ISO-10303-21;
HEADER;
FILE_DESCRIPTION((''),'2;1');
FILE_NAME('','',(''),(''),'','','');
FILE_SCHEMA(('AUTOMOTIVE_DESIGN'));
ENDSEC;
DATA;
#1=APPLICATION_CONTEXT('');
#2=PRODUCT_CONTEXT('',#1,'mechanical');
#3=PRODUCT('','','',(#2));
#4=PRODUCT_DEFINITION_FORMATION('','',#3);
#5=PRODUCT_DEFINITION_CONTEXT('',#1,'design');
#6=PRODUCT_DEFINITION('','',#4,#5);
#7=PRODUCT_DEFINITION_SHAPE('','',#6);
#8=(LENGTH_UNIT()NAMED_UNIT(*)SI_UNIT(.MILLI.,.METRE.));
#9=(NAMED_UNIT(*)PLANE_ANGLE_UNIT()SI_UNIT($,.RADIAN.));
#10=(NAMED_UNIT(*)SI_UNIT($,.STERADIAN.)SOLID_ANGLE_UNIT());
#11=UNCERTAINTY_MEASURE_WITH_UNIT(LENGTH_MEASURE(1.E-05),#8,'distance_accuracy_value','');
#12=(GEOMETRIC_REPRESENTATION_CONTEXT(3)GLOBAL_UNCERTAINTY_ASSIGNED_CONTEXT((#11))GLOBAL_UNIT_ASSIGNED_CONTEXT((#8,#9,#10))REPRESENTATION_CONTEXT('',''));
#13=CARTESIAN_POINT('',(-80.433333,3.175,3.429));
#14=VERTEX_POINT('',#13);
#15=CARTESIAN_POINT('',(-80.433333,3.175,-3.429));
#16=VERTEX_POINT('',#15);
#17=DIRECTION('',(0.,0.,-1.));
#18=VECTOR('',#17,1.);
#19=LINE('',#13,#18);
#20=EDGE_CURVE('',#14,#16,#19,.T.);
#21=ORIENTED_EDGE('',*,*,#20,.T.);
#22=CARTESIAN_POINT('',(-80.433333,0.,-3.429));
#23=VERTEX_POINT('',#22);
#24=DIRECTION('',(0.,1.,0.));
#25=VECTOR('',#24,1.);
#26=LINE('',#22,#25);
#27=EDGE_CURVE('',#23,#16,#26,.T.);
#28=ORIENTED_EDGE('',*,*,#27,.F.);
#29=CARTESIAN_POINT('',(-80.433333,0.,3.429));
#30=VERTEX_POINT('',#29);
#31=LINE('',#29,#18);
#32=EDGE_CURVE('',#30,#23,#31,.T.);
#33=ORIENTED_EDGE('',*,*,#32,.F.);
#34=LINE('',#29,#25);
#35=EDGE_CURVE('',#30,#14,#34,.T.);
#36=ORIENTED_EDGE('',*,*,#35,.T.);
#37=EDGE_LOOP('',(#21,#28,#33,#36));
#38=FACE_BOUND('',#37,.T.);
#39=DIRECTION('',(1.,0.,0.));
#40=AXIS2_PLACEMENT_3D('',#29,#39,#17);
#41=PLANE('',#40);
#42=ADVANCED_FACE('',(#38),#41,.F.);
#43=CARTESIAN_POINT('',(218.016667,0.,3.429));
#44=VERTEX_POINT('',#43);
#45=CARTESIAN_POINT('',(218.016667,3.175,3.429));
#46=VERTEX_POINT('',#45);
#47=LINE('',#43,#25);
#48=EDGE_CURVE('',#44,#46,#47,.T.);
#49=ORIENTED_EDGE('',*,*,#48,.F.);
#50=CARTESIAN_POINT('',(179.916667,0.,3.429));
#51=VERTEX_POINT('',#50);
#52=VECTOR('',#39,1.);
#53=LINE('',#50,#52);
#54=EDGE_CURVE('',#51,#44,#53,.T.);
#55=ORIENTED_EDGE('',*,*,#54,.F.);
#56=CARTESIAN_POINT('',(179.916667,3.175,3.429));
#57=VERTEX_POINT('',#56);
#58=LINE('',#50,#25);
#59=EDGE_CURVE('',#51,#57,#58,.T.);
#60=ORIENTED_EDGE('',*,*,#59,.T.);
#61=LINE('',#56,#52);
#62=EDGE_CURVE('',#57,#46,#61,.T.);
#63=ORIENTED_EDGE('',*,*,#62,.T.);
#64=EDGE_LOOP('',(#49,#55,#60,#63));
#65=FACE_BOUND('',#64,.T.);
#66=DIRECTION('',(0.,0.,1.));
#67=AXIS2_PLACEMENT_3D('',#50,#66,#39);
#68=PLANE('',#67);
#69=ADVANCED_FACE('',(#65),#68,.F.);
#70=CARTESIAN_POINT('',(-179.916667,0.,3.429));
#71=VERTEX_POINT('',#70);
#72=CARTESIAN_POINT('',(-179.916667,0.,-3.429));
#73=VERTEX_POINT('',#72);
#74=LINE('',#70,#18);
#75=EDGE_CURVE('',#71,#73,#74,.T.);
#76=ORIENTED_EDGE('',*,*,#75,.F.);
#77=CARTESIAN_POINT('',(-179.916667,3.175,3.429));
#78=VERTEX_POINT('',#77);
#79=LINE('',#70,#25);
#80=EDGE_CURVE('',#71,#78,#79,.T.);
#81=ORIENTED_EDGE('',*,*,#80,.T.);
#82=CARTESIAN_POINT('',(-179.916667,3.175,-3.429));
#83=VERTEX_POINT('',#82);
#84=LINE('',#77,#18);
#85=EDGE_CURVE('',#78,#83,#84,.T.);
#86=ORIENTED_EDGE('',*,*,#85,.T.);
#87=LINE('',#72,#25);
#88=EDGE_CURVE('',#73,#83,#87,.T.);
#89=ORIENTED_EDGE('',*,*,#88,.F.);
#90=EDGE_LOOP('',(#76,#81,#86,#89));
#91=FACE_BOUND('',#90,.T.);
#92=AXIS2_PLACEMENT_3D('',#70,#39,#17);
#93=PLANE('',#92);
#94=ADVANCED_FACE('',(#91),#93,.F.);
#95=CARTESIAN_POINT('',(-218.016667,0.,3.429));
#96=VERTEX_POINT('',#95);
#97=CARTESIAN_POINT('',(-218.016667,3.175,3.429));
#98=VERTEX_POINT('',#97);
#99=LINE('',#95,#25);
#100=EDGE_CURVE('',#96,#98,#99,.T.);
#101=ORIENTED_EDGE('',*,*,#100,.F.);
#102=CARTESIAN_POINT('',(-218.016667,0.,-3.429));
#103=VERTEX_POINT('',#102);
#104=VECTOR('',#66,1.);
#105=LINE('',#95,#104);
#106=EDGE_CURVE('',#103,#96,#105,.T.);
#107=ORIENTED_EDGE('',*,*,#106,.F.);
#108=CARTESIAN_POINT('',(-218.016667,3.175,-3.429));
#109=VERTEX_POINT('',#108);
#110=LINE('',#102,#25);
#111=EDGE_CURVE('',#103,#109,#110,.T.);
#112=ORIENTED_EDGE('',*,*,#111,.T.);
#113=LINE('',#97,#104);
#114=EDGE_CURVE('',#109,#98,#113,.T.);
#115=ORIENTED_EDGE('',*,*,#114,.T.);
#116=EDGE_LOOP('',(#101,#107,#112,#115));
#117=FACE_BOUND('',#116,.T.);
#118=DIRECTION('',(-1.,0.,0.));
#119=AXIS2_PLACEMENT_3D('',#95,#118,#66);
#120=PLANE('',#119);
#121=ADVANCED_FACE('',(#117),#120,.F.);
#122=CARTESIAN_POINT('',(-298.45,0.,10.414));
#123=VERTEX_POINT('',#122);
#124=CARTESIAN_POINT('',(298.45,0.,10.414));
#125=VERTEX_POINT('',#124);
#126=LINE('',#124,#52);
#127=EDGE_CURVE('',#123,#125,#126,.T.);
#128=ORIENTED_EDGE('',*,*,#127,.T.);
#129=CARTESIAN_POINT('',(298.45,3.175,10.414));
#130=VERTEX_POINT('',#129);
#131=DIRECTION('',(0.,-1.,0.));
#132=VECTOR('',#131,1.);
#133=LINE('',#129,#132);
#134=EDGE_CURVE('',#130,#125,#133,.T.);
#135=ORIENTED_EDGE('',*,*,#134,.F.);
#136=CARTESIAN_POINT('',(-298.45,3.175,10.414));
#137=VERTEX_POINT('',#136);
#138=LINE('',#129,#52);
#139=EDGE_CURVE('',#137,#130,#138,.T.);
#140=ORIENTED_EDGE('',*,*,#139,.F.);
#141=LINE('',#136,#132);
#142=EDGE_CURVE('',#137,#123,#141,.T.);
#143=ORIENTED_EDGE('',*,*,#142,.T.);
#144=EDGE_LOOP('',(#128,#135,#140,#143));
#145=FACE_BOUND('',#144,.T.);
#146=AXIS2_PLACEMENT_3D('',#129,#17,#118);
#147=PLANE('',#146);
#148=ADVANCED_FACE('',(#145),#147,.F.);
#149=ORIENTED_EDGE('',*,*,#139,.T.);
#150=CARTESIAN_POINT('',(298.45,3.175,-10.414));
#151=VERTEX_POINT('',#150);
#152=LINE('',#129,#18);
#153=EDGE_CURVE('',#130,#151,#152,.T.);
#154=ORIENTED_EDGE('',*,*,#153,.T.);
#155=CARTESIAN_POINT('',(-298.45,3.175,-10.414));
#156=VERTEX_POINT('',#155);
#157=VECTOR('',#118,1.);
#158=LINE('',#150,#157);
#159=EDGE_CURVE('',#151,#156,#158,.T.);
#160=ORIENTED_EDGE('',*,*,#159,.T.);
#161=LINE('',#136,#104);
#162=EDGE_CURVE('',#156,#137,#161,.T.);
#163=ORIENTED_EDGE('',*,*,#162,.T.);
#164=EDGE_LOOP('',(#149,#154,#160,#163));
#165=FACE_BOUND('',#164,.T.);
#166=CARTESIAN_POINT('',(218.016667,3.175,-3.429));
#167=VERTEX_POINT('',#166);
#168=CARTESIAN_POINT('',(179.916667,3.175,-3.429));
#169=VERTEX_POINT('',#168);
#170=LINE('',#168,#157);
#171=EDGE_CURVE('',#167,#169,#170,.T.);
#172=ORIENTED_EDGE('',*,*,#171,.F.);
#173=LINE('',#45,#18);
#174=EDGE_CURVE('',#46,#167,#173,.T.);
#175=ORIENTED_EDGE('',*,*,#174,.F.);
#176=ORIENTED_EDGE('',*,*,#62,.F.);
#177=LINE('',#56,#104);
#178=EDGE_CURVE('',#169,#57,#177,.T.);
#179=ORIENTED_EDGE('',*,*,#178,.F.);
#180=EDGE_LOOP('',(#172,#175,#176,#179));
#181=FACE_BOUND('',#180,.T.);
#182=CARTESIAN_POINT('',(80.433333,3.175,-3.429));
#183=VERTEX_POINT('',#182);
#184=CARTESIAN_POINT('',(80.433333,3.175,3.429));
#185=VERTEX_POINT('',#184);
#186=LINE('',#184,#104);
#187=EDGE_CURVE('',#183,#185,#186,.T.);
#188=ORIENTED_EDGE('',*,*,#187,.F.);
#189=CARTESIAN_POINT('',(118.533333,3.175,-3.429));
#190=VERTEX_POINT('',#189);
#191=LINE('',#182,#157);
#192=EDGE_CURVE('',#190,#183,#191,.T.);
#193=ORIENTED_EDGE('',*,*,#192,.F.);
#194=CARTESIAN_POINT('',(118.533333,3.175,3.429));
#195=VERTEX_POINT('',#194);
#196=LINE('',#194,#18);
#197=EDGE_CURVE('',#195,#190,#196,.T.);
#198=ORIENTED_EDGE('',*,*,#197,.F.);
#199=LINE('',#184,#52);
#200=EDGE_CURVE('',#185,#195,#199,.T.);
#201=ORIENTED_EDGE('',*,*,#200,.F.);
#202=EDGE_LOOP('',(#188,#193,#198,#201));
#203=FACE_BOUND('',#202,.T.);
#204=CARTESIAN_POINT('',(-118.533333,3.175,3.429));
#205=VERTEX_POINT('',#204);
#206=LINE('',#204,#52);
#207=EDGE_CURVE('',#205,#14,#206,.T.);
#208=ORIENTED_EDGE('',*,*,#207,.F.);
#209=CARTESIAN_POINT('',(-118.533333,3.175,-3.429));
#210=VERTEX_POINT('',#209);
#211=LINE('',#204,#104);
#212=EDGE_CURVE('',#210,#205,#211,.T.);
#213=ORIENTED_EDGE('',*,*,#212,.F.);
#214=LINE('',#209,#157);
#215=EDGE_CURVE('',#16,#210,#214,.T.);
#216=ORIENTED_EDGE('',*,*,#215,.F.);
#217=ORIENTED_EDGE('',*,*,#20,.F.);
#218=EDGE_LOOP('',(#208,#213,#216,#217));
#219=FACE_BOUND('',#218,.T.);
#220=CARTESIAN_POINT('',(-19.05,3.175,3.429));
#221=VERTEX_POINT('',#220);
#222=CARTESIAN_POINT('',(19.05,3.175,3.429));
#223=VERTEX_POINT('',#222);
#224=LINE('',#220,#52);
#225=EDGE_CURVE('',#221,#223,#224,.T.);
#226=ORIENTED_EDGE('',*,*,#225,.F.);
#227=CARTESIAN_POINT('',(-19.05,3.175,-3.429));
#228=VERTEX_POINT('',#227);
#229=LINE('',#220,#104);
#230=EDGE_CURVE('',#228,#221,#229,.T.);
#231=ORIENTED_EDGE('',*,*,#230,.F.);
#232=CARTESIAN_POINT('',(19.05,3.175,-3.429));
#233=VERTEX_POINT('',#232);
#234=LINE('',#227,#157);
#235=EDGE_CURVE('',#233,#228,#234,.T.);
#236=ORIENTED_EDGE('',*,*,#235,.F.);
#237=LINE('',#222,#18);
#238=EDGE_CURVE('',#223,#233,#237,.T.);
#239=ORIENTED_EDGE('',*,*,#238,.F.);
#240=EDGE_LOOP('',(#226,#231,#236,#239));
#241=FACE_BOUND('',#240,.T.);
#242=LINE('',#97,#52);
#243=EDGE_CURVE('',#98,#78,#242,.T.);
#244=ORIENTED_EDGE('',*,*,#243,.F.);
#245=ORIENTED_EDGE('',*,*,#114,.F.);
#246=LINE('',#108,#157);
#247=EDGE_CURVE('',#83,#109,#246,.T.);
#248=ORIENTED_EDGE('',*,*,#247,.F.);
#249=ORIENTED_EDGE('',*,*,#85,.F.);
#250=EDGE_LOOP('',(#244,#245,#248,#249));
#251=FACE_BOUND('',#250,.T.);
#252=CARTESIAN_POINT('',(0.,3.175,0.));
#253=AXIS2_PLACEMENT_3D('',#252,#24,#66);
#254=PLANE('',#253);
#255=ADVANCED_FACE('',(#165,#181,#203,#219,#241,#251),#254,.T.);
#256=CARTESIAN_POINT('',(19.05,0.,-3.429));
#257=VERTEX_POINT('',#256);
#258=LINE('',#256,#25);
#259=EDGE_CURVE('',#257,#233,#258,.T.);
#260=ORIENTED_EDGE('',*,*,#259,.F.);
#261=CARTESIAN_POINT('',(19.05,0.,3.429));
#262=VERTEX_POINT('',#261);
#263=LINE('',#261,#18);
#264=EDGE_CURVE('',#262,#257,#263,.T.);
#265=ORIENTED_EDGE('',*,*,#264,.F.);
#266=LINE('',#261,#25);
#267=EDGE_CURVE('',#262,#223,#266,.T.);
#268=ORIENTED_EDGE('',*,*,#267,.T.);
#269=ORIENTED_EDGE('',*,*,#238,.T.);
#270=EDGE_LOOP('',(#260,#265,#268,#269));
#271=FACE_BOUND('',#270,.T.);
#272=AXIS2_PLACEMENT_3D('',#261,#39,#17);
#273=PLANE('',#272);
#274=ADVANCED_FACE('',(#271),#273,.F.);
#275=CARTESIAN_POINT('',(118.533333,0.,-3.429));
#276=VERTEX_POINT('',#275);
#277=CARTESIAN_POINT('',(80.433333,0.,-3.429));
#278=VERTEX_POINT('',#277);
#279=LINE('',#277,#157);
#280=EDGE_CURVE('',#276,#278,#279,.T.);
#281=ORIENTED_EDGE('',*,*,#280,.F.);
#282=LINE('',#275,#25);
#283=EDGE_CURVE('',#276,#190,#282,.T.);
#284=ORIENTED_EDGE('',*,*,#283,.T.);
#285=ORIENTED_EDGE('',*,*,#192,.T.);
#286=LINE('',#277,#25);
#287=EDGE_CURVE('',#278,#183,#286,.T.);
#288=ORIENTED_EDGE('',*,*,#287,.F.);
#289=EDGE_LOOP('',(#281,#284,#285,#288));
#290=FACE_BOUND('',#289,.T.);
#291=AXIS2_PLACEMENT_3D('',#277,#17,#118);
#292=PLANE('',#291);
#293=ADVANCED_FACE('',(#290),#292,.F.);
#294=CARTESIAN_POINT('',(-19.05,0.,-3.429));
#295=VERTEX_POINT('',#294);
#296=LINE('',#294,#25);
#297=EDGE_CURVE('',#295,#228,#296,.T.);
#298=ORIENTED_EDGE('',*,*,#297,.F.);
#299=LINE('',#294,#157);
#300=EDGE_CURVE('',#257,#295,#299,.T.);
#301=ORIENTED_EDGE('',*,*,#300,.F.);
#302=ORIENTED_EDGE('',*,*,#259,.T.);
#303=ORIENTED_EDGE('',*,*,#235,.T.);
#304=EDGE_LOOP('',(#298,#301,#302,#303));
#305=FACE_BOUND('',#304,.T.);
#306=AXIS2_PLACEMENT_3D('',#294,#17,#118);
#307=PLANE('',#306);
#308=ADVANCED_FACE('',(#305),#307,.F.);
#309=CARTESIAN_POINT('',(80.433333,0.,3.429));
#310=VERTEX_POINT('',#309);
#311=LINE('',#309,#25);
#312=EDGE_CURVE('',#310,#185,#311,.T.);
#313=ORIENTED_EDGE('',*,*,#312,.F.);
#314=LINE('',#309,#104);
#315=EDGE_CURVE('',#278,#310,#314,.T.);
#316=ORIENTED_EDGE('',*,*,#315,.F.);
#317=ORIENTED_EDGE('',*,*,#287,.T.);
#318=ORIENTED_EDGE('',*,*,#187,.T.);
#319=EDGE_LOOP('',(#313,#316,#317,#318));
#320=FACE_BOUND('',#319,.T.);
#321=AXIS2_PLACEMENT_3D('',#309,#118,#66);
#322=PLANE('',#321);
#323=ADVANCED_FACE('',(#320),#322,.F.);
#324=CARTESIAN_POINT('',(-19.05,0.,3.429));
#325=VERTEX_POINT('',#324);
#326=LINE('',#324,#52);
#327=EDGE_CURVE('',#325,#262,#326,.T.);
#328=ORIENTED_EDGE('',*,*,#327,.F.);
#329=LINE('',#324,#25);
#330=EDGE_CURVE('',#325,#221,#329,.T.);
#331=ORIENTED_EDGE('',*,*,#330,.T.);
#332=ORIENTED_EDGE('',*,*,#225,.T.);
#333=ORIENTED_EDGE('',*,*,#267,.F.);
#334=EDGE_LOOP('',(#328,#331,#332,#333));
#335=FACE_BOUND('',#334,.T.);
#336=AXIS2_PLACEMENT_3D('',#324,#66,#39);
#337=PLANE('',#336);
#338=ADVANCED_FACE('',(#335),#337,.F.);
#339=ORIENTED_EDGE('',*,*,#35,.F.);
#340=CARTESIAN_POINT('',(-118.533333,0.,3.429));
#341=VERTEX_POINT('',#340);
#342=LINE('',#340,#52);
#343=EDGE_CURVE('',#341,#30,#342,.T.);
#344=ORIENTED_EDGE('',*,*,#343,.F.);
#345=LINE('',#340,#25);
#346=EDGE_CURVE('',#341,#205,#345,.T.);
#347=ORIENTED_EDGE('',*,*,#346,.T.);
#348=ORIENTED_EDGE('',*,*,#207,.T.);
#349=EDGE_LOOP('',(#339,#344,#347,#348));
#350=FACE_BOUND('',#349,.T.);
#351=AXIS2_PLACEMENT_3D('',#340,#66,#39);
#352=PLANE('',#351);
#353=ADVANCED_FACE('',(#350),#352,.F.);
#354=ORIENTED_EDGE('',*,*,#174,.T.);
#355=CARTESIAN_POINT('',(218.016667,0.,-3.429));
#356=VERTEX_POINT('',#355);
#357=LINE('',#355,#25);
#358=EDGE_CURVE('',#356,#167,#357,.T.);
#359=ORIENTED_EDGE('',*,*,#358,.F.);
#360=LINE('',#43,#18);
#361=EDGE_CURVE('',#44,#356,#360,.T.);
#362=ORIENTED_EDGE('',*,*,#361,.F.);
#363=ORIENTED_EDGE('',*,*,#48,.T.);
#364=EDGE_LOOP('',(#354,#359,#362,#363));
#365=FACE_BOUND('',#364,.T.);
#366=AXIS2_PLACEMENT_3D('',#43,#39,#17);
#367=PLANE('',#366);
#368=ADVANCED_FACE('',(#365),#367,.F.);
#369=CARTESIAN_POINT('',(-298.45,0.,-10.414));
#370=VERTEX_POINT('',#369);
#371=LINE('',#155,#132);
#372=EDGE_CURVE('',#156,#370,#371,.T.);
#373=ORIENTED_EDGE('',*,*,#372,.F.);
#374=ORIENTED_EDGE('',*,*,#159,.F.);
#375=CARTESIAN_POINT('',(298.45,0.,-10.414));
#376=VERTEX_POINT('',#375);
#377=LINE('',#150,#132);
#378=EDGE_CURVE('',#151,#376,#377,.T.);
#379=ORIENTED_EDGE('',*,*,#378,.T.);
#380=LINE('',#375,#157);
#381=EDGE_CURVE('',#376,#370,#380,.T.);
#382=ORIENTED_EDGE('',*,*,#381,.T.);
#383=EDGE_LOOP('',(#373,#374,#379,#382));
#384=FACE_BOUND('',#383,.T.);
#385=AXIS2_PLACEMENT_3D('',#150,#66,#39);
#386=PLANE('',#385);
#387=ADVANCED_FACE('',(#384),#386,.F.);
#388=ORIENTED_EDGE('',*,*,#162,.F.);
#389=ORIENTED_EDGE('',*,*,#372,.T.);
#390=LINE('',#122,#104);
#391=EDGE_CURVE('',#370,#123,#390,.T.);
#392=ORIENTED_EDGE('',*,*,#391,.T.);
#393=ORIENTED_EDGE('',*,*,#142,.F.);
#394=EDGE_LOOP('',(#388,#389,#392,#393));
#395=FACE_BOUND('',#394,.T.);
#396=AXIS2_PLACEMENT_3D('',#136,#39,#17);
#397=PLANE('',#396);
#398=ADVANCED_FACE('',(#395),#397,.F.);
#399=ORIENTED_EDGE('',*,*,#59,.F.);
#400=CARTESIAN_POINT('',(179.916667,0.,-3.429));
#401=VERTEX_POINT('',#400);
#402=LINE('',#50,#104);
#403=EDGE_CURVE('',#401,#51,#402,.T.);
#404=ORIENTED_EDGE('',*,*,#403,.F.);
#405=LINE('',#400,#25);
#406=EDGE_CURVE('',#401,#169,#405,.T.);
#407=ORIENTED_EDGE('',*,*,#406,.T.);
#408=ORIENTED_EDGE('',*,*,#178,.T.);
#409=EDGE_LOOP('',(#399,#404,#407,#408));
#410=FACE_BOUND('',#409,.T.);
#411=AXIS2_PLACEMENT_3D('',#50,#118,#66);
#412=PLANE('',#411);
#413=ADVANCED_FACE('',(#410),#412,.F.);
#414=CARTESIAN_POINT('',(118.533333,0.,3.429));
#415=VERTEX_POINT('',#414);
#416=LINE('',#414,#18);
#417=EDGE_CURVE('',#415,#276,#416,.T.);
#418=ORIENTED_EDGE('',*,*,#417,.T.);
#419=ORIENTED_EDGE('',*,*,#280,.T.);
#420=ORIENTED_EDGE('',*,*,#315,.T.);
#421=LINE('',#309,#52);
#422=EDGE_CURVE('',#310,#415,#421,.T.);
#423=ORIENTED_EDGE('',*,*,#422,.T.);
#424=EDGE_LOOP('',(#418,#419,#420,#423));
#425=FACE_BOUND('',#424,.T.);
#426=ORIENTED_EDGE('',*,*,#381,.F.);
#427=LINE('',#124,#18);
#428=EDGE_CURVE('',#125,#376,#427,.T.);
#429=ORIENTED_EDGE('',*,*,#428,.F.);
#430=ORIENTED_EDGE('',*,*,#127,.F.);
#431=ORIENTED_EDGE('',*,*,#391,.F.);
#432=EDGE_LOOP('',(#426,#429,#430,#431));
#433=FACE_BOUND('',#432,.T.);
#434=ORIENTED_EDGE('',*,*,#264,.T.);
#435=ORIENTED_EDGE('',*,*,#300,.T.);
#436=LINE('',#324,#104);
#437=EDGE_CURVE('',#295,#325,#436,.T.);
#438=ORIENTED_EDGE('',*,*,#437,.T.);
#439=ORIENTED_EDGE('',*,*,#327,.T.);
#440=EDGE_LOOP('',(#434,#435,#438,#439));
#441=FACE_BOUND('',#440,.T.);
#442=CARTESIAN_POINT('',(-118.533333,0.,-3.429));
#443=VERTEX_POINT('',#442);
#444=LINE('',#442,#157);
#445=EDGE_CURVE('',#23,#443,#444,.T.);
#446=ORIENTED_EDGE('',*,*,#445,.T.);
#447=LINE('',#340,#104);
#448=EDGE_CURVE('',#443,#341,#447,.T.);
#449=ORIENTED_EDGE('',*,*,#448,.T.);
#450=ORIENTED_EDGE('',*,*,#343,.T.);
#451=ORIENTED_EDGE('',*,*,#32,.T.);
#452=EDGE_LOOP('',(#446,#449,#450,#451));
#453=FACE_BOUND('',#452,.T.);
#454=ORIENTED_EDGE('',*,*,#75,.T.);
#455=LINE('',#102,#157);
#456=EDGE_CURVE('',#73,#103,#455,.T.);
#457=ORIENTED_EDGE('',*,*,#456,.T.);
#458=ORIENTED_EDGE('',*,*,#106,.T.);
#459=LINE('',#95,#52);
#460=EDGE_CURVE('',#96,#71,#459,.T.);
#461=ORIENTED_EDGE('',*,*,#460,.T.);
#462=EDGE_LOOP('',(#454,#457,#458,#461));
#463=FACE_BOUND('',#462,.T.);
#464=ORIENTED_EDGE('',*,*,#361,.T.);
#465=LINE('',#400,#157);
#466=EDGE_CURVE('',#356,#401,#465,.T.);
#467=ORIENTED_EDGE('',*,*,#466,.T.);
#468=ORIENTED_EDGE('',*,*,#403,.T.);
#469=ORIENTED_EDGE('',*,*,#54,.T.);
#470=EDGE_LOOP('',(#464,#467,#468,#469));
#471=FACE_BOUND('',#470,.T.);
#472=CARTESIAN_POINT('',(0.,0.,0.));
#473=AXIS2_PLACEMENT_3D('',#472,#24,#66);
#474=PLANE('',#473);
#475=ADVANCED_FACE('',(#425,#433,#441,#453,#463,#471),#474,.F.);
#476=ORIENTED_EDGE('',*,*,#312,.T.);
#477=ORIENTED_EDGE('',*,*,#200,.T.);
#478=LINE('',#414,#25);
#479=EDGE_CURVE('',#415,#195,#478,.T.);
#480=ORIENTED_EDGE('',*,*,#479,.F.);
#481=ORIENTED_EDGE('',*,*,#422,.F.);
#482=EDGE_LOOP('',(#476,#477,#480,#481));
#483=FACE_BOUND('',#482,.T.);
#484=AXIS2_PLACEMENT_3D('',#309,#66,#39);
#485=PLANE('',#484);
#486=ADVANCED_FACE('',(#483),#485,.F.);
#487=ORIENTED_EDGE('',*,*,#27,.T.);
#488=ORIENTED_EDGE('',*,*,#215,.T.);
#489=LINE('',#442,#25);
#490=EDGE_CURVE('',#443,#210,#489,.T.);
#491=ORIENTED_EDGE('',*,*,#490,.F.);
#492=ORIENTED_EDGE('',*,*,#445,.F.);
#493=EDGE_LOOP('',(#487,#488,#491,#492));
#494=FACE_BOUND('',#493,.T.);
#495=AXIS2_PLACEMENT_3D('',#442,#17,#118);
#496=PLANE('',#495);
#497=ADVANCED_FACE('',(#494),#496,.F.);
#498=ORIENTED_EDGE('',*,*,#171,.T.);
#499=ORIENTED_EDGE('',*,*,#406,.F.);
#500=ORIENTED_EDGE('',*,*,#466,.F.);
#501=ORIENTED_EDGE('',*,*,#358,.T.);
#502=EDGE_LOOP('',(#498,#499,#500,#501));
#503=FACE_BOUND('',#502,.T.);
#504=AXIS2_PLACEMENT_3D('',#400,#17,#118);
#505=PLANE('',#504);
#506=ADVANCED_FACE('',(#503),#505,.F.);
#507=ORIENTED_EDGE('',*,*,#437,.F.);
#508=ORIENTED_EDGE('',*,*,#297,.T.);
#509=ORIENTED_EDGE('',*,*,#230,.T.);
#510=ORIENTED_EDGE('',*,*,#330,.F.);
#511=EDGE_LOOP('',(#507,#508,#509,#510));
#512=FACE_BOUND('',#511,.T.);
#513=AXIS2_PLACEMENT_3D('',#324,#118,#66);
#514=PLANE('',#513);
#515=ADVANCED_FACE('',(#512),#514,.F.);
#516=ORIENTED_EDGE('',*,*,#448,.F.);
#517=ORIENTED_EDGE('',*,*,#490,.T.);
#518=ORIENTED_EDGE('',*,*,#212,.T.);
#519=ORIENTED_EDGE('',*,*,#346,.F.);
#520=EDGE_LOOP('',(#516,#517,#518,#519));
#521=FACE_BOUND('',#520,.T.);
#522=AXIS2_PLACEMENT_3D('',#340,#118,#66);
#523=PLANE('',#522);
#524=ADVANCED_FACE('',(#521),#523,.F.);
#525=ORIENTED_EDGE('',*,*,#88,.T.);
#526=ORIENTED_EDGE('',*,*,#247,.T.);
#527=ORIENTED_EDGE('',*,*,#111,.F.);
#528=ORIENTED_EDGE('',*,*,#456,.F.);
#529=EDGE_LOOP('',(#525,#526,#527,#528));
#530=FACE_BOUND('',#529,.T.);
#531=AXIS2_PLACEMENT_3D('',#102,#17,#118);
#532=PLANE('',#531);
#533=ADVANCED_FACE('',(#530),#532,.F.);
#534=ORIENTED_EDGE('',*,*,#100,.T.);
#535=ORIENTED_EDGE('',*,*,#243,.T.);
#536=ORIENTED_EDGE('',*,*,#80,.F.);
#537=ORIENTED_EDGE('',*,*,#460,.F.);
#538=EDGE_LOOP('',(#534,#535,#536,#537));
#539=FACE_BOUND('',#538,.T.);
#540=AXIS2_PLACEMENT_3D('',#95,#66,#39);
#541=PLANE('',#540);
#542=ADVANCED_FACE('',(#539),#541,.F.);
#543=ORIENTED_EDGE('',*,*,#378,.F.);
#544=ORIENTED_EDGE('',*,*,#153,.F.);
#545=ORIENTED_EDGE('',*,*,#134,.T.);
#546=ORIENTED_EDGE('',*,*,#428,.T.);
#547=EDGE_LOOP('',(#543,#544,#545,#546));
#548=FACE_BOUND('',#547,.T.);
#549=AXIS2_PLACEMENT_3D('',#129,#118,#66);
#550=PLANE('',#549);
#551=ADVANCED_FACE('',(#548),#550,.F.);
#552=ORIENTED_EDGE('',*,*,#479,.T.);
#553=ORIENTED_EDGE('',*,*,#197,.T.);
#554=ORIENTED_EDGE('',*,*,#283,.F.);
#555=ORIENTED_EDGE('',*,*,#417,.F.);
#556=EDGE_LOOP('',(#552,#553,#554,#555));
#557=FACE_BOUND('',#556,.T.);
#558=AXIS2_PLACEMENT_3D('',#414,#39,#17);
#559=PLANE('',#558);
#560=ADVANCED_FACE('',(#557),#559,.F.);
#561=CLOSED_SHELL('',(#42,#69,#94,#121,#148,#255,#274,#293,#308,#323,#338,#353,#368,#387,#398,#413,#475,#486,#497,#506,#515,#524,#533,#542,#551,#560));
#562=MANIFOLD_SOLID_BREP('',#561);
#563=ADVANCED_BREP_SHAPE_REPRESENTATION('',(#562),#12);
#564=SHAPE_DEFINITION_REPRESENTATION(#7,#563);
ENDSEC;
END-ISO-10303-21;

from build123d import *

# Parameters (mm, degrees)
SKETCH1_W           = 596.9
SKETCH1_H           = 20.828
BOSS_EXTRUDE1_DEPTH = 3.175
SKETCH5_W           = 38.1
SKETCH5_H           = 6.858
CUT_EXTRUDE2_DEPTH  = 299.648513341


with BuildPart() as part:
    # Sketch1 → Boss-Extrude1 (new body)
    with BuildSketch(Plane(origin=(0, 0, 0), x_dir=(1, 0, 0), z_dir=(0, 1, 0))):
        Rectangle(SKETCH1_W, SKETCH1_H)
    extrude(amount=BOSS_EXTRUDE1_DEPTH)

    # Sketch5 → Cut-Extrude2 (cut, through all)
    with BuildSketch(Plane(origin=(0, 3.175, 0), x_dir=(1, 0, 0), z_dir=(0, 1, 0))):
        with Locations((-198.966666582, 0)):
            Rectangle(SKETCH5_W, SKETCH5_H)
        with Locations((-99.483333164, 0)):
            Rectangle(SKETCH5_W, SKETCH5_H)
        with Locations((1.69e-07, 0)):
            Rectangle(SKETCH5_W, SKETCH5_H)
        with Locations((99.483333333, 0)):
            Rectangle(SKETCH5_W, SKETCH5_H)
        with Locations((198.966666667, 0)):
            Rectangle(SKETCH5_W, SKETCH5_H)
    extrude(amount=-CUT_EXTRUDE2_DEPTH, mode=Mode.SUBTRACT)


solid = part.part
